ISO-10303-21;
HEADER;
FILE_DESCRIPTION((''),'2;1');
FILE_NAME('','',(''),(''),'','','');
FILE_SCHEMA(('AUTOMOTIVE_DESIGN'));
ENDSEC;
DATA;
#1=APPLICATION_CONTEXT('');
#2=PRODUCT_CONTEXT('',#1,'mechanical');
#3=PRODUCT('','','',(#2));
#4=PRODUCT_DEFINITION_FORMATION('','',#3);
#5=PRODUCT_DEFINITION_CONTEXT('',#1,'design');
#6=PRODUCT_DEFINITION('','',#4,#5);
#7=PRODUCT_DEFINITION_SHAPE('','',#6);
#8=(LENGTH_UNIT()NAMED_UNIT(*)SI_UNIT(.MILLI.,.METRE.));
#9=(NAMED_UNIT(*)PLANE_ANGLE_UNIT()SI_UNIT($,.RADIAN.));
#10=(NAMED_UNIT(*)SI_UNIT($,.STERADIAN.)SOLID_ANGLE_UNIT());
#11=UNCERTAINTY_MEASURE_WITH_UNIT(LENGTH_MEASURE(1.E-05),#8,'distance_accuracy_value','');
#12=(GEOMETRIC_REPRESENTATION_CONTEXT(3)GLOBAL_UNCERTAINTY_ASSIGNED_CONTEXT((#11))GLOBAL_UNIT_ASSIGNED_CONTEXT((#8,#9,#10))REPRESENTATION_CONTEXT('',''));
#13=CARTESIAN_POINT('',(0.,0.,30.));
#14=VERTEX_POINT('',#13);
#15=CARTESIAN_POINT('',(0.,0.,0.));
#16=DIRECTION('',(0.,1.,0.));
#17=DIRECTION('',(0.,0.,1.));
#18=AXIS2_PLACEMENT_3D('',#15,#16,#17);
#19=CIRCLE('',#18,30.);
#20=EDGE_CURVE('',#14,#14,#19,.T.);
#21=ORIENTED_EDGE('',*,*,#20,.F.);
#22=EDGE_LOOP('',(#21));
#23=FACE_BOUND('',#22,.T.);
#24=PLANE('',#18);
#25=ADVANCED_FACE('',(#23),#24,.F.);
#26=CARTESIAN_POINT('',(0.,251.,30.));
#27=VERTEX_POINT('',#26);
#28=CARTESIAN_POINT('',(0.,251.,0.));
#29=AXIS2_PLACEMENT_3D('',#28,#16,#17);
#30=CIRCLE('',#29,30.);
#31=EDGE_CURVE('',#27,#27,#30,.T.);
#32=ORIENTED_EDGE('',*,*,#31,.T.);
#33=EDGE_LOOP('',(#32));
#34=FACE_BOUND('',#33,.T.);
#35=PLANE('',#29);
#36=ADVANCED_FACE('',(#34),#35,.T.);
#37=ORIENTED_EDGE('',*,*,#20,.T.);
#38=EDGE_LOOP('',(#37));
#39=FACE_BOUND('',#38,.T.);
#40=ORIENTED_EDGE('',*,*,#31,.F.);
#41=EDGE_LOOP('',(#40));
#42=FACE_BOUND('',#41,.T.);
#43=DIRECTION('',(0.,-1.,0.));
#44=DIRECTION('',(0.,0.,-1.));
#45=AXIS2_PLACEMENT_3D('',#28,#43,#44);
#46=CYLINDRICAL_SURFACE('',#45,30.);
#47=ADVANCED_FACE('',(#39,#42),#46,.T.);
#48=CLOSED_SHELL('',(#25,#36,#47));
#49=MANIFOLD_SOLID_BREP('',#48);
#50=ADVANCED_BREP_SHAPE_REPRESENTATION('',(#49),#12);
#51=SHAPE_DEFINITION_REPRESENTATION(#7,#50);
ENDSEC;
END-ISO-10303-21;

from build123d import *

# Parameters (mm, degrees)
SKETCH1_R           = 30
BOSS_EXTRUDE1_DEPTH = 251


with BuildPart() as part:
    # Sketch1 → Boss-Extrude1 (new body)
    with BuildSketch(Plane(origin=(0, 0, 0), x_dir=(1, 0, 0), z_dir=(0, 1, 0))):
        with Locations(Location((0, 0, 0), (0, 0, 270))):
            Circle(SKETCH1_R)
    extrude(amount=BOSS_EXTRUDE1_DEPTH)


solid = part.part
